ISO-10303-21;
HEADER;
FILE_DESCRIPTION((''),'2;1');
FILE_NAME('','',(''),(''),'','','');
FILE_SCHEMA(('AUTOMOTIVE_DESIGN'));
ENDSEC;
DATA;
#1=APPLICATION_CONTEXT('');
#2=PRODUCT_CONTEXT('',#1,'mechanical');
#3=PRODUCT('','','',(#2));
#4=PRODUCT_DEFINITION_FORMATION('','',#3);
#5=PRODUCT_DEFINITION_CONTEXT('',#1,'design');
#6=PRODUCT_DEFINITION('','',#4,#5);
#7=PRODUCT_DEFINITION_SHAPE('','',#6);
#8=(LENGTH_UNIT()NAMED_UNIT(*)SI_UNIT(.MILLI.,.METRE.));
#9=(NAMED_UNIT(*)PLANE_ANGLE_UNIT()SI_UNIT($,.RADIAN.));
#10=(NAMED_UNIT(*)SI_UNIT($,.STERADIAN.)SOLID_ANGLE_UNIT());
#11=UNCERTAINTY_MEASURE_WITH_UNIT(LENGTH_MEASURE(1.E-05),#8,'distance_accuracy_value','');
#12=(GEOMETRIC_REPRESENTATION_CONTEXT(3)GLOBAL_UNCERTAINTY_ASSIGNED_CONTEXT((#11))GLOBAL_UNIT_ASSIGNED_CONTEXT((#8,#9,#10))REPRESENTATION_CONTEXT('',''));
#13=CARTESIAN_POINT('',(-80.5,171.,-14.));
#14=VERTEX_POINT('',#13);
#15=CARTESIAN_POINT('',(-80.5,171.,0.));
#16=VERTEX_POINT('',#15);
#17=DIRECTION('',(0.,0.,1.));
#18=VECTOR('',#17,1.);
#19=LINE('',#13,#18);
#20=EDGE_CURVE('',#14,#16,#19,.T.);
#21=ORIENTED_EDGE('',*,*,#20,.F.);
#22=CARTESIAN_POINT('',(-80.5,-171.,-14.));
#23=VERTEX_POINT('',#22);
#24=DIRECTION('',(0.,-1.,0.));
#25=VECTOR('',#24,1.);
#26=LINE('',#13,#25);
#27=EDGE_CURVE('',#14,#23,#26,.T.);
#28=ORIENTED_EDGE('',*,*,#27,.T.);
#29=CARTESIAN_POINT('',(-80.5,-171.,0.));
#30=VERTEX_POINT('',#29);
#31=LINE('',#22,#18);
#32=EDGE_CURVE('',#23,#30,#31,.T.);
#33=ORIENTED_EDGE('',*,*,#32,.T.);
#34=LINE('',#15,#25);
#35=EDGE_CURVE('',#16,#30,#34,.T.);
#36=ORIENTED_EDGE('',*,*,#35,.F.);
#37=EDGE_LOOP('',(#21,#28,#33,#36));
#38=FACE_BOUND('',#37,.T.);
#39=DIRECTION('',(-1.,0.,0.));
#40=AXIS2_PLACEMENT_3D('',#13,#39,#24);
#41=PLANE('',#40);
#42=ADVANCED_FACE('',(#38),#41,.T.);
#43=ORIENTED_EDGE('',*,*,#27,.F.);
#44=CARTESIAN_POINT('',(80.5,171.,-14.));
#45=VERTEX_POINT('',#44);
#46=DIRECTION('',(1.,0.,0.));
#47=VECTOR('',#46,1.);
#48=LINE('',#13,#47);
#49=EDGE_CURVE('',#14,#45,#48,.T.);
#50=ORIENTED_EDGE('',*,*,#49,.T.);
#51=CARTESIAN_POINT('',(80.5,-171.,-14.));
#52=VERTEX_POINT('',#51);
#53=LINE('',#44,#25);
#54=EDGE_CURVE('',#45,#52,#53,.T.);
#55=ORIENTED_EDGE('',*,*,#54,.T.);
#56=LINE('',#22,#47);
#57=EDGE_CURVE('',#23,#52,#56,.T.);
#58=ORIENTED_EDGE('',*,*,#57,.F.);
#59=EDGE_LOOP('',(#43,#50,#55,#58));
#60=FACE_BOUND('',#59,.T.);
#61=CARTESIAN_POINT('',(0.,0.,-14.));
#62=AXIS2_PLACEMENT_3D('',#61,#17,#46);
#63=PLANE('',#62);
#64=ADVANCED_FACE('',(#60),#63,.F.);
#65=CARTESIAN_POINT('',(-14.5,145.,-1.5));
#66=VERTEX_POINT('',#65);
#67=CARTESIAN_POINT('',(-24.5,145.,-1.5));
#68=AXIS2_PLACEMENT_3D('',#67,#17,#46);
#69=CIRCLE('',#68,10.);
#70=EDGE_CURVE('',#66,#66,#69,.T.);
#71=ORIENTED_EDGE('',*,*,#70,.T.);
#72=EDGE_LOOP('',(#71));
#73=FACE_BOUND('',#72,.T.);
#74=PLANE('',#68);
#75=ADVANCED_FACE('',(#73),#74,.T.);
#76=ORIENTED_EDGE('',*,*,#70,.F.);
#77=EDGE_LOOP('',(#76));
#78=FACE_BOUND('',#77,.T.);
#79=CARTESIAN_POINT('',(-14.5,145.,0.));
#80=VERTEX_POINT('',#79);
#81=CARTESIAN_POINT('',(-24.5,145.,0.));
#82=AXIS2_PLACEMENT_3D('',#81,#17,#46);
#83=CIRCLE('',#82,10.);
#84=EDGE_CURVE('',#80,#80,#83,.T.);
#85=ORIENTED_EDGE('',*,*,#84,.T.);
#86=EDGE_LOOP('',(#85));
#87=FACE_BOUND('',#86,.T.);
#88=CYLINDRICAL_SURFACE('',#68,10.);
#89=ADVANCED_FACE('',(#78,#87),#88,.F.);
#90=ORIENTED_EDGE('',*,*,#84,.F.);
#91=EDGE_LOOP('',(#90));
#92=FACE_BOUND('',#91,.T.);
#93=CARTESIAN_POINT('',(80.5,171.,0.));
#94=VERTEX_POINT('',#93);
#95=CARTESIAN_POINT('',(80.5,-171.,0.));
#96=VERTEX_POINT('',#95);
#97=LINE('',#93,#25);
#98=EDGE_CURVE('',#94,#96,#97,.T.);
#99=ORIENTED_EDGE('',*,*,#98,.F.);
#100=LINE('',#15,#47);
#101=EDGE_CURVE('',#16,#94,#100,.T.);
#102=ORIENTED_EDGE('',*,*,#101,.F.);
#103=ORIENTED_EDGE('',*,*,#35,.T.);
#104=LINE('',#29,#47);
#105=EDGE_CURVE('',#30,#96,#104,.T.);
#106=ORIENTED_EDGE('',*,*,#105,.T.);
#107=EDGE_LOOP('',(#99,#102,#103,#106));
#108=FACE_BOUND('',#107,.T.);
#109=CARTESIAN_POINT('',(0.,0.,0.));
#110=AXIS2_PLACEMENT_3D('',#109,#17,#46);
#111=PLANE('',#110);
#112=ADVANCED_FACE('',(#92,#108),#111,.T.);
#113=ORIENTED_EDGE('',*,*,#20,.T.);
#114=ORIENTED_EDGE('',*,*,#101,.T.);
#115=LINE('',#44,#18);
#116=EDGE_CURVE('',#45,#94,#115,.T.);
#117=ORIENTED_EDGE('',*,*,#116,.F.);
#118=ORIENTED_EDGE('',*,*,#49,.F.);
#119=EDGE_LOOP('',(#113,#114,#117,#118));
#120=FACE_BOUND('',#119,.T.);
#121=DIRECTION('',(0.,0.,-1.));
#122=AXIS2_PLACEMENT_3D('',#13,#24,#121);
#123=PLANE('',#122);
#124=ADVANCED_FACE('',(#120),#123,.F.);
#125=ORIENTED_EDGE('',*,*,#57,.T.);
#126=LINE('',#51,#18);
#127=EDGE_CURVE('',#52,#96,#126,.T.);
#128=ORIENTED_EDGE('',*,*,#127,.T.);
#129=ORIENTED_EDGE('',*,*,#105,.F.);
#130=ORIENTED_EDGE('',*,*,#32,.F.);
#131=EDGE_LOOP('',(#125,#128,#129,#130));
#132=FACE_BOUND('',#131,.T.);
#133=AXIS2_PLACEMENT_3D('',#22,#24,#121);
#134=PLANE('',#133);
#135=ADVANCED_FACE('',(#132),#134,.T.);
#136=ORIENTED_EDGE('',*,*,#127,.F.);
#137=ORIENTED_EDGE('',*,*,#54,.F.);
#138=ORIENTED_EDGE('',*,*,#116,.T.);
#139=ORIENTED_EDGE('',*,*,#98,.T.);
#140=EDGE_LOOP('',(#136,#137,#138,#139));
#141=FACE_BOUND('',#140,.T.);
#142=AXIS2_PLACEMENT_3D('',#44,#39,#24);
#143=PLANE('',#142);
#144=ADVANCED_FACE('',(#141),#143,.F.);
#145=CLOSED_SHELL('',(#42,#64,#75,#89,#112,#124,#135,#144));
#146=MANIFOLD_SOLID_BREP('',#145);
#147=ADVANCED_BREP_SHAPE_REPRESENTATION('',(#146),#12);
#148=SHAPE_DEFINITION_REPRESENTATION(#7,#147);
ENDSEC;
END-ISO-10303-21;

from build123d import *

# Parameters (mm, degrees)
SKETCH_1_W          = 161
SKETCH_1_H          = 342
EXTRUDE_1_DEPTH     = 14
SKETCH_1_3_R        = 10
CUT_EXTRUDE_1_DEPTH = 1.5


with BuildPart() as part:
    # 草图1 → 凸台-拉伸1 (new body)
    with BuildSketch(Plane.XY):
        Rectangle(SKETCH_1_W, SKETCH_1_H)
    extrude(amount=-EXTRUDE_1_DEPTH)

    # 草图1<3> → 切除-拉伸1 (cut)
    with BuildSketch(Plane.XY):
        with Locations((-24.5, 145)):
            Circle(SKETCH_1_3_R)
    extrude(amount=-CUT_EXTRUDE_1_DEPTH, mode=Mode.SUBTRACT)


solid = part.part
